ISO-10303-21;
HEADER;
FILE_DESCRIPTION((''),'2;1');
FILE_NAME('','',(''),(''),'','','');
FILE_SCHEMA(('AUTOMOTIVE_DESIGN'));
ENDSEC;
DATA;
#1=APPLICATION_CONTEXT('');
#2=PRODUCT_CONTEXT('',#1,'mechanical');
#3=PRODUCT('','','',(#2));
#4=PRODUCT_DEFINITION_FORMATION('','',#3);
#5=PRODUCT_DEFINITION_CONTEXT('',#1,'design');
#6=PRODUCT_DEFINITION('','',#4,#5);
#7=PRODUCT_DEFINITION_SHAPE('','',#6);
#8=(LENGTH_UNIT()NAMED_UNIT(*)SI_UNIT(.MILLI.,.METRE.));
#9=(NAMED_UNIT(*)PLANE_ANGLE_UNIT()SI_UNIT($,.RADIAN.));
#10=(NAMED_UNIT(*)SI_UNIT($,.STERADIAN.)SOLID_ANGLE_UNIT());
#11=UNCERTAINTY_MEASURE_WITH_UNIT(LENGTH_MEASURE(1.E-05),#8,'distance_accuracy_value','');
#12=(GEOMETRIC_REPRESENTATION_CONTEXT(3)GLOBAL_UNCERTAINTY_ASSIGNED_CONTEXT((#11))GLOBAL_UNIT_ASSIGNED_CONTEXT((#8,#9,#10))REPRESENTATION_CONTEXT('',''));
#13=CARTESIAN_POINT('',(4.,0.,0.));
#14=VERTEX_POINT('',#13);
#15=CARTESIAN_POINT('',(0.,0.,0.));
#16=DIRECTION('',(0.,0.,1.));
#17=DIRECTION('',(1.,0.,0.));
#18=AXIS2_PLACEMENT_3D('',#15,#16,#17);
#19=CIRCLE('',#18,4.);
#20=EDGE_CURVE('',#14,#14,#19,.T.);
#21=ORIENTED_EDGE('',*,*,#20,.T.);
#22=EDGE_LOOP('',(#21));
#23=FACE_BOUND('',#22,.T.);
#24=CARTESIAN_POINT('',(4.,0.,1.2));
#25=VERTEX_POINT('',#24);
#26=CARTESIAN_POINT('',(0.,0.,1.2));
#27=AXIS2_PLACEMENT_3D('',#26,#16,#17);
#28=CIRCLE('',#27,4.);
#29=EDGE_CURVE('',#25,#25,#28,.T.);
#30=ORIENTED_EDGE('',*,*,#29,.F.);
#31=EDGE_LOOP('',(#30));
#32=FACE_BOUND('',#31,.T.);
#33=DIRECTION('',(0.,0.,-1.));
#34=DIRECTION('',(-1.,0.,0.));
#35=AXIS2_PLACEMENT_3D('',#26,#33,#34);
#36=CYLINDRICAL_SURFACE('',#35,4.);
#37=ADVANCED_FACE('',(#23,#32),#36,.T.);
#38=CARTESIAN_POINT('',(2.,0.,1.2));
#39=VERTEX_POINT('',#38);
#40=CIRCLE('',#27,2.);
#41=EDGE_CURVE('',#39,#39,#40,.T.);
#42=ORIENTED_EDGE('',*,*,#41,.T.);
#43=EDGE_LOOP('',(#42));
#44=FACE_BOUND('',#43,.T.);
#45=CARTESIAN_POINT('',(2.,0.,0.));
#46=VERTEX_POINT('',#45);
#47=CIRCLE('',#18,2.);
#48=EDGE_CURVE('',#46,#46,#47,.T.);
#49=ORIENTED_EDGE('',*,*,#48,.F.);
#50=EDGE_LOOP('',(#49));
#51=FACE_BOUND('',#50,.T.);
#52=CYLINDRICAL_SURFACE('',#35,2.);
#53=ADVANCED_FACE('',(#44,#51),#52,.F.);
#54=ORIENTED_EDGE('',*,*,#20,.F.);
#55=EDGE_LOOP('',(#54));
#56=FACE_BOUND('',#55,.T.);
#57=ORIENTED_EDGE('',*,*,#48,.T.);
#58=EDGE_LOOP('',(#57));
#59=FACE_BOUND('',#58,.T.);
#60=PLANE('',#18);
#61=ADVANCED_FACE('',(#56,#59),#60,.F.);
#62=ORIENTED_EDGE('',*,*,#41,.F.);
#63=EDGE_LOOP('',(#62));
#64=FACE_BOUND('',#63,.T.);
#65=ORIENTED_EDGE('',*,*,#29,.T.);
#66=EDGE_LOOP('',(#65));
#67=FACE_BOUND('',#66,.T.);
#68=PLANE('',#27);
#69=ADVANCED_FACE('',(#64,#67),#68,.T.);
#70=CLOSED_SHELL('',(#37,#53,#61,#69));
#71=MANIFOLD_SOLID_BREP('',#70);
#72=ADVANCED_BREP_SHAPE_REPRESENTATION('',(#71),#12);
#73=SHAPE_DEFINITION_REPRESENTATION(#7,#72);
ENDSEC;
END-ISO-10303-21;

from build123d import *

# Parameters (mm, degrees)
ESQUISSE1_R        = 4
ESQUISSE1_R_2      = 2
BOSS_EXTRU_1_DEPTH = 1.2


with BuildPart() as part:
    # Esquisse1 → Boss.-Extru.1 (new body)
    with BuildSketch(Plane.XY):
        Circle(ESQUISSE1_R)
        Circle(ESQUISSE1_R_2, mode=Mode.SUBTRACT)
    extrude(amount=BOSS_EXTRU_1_DEPTH)


solid = part.part
